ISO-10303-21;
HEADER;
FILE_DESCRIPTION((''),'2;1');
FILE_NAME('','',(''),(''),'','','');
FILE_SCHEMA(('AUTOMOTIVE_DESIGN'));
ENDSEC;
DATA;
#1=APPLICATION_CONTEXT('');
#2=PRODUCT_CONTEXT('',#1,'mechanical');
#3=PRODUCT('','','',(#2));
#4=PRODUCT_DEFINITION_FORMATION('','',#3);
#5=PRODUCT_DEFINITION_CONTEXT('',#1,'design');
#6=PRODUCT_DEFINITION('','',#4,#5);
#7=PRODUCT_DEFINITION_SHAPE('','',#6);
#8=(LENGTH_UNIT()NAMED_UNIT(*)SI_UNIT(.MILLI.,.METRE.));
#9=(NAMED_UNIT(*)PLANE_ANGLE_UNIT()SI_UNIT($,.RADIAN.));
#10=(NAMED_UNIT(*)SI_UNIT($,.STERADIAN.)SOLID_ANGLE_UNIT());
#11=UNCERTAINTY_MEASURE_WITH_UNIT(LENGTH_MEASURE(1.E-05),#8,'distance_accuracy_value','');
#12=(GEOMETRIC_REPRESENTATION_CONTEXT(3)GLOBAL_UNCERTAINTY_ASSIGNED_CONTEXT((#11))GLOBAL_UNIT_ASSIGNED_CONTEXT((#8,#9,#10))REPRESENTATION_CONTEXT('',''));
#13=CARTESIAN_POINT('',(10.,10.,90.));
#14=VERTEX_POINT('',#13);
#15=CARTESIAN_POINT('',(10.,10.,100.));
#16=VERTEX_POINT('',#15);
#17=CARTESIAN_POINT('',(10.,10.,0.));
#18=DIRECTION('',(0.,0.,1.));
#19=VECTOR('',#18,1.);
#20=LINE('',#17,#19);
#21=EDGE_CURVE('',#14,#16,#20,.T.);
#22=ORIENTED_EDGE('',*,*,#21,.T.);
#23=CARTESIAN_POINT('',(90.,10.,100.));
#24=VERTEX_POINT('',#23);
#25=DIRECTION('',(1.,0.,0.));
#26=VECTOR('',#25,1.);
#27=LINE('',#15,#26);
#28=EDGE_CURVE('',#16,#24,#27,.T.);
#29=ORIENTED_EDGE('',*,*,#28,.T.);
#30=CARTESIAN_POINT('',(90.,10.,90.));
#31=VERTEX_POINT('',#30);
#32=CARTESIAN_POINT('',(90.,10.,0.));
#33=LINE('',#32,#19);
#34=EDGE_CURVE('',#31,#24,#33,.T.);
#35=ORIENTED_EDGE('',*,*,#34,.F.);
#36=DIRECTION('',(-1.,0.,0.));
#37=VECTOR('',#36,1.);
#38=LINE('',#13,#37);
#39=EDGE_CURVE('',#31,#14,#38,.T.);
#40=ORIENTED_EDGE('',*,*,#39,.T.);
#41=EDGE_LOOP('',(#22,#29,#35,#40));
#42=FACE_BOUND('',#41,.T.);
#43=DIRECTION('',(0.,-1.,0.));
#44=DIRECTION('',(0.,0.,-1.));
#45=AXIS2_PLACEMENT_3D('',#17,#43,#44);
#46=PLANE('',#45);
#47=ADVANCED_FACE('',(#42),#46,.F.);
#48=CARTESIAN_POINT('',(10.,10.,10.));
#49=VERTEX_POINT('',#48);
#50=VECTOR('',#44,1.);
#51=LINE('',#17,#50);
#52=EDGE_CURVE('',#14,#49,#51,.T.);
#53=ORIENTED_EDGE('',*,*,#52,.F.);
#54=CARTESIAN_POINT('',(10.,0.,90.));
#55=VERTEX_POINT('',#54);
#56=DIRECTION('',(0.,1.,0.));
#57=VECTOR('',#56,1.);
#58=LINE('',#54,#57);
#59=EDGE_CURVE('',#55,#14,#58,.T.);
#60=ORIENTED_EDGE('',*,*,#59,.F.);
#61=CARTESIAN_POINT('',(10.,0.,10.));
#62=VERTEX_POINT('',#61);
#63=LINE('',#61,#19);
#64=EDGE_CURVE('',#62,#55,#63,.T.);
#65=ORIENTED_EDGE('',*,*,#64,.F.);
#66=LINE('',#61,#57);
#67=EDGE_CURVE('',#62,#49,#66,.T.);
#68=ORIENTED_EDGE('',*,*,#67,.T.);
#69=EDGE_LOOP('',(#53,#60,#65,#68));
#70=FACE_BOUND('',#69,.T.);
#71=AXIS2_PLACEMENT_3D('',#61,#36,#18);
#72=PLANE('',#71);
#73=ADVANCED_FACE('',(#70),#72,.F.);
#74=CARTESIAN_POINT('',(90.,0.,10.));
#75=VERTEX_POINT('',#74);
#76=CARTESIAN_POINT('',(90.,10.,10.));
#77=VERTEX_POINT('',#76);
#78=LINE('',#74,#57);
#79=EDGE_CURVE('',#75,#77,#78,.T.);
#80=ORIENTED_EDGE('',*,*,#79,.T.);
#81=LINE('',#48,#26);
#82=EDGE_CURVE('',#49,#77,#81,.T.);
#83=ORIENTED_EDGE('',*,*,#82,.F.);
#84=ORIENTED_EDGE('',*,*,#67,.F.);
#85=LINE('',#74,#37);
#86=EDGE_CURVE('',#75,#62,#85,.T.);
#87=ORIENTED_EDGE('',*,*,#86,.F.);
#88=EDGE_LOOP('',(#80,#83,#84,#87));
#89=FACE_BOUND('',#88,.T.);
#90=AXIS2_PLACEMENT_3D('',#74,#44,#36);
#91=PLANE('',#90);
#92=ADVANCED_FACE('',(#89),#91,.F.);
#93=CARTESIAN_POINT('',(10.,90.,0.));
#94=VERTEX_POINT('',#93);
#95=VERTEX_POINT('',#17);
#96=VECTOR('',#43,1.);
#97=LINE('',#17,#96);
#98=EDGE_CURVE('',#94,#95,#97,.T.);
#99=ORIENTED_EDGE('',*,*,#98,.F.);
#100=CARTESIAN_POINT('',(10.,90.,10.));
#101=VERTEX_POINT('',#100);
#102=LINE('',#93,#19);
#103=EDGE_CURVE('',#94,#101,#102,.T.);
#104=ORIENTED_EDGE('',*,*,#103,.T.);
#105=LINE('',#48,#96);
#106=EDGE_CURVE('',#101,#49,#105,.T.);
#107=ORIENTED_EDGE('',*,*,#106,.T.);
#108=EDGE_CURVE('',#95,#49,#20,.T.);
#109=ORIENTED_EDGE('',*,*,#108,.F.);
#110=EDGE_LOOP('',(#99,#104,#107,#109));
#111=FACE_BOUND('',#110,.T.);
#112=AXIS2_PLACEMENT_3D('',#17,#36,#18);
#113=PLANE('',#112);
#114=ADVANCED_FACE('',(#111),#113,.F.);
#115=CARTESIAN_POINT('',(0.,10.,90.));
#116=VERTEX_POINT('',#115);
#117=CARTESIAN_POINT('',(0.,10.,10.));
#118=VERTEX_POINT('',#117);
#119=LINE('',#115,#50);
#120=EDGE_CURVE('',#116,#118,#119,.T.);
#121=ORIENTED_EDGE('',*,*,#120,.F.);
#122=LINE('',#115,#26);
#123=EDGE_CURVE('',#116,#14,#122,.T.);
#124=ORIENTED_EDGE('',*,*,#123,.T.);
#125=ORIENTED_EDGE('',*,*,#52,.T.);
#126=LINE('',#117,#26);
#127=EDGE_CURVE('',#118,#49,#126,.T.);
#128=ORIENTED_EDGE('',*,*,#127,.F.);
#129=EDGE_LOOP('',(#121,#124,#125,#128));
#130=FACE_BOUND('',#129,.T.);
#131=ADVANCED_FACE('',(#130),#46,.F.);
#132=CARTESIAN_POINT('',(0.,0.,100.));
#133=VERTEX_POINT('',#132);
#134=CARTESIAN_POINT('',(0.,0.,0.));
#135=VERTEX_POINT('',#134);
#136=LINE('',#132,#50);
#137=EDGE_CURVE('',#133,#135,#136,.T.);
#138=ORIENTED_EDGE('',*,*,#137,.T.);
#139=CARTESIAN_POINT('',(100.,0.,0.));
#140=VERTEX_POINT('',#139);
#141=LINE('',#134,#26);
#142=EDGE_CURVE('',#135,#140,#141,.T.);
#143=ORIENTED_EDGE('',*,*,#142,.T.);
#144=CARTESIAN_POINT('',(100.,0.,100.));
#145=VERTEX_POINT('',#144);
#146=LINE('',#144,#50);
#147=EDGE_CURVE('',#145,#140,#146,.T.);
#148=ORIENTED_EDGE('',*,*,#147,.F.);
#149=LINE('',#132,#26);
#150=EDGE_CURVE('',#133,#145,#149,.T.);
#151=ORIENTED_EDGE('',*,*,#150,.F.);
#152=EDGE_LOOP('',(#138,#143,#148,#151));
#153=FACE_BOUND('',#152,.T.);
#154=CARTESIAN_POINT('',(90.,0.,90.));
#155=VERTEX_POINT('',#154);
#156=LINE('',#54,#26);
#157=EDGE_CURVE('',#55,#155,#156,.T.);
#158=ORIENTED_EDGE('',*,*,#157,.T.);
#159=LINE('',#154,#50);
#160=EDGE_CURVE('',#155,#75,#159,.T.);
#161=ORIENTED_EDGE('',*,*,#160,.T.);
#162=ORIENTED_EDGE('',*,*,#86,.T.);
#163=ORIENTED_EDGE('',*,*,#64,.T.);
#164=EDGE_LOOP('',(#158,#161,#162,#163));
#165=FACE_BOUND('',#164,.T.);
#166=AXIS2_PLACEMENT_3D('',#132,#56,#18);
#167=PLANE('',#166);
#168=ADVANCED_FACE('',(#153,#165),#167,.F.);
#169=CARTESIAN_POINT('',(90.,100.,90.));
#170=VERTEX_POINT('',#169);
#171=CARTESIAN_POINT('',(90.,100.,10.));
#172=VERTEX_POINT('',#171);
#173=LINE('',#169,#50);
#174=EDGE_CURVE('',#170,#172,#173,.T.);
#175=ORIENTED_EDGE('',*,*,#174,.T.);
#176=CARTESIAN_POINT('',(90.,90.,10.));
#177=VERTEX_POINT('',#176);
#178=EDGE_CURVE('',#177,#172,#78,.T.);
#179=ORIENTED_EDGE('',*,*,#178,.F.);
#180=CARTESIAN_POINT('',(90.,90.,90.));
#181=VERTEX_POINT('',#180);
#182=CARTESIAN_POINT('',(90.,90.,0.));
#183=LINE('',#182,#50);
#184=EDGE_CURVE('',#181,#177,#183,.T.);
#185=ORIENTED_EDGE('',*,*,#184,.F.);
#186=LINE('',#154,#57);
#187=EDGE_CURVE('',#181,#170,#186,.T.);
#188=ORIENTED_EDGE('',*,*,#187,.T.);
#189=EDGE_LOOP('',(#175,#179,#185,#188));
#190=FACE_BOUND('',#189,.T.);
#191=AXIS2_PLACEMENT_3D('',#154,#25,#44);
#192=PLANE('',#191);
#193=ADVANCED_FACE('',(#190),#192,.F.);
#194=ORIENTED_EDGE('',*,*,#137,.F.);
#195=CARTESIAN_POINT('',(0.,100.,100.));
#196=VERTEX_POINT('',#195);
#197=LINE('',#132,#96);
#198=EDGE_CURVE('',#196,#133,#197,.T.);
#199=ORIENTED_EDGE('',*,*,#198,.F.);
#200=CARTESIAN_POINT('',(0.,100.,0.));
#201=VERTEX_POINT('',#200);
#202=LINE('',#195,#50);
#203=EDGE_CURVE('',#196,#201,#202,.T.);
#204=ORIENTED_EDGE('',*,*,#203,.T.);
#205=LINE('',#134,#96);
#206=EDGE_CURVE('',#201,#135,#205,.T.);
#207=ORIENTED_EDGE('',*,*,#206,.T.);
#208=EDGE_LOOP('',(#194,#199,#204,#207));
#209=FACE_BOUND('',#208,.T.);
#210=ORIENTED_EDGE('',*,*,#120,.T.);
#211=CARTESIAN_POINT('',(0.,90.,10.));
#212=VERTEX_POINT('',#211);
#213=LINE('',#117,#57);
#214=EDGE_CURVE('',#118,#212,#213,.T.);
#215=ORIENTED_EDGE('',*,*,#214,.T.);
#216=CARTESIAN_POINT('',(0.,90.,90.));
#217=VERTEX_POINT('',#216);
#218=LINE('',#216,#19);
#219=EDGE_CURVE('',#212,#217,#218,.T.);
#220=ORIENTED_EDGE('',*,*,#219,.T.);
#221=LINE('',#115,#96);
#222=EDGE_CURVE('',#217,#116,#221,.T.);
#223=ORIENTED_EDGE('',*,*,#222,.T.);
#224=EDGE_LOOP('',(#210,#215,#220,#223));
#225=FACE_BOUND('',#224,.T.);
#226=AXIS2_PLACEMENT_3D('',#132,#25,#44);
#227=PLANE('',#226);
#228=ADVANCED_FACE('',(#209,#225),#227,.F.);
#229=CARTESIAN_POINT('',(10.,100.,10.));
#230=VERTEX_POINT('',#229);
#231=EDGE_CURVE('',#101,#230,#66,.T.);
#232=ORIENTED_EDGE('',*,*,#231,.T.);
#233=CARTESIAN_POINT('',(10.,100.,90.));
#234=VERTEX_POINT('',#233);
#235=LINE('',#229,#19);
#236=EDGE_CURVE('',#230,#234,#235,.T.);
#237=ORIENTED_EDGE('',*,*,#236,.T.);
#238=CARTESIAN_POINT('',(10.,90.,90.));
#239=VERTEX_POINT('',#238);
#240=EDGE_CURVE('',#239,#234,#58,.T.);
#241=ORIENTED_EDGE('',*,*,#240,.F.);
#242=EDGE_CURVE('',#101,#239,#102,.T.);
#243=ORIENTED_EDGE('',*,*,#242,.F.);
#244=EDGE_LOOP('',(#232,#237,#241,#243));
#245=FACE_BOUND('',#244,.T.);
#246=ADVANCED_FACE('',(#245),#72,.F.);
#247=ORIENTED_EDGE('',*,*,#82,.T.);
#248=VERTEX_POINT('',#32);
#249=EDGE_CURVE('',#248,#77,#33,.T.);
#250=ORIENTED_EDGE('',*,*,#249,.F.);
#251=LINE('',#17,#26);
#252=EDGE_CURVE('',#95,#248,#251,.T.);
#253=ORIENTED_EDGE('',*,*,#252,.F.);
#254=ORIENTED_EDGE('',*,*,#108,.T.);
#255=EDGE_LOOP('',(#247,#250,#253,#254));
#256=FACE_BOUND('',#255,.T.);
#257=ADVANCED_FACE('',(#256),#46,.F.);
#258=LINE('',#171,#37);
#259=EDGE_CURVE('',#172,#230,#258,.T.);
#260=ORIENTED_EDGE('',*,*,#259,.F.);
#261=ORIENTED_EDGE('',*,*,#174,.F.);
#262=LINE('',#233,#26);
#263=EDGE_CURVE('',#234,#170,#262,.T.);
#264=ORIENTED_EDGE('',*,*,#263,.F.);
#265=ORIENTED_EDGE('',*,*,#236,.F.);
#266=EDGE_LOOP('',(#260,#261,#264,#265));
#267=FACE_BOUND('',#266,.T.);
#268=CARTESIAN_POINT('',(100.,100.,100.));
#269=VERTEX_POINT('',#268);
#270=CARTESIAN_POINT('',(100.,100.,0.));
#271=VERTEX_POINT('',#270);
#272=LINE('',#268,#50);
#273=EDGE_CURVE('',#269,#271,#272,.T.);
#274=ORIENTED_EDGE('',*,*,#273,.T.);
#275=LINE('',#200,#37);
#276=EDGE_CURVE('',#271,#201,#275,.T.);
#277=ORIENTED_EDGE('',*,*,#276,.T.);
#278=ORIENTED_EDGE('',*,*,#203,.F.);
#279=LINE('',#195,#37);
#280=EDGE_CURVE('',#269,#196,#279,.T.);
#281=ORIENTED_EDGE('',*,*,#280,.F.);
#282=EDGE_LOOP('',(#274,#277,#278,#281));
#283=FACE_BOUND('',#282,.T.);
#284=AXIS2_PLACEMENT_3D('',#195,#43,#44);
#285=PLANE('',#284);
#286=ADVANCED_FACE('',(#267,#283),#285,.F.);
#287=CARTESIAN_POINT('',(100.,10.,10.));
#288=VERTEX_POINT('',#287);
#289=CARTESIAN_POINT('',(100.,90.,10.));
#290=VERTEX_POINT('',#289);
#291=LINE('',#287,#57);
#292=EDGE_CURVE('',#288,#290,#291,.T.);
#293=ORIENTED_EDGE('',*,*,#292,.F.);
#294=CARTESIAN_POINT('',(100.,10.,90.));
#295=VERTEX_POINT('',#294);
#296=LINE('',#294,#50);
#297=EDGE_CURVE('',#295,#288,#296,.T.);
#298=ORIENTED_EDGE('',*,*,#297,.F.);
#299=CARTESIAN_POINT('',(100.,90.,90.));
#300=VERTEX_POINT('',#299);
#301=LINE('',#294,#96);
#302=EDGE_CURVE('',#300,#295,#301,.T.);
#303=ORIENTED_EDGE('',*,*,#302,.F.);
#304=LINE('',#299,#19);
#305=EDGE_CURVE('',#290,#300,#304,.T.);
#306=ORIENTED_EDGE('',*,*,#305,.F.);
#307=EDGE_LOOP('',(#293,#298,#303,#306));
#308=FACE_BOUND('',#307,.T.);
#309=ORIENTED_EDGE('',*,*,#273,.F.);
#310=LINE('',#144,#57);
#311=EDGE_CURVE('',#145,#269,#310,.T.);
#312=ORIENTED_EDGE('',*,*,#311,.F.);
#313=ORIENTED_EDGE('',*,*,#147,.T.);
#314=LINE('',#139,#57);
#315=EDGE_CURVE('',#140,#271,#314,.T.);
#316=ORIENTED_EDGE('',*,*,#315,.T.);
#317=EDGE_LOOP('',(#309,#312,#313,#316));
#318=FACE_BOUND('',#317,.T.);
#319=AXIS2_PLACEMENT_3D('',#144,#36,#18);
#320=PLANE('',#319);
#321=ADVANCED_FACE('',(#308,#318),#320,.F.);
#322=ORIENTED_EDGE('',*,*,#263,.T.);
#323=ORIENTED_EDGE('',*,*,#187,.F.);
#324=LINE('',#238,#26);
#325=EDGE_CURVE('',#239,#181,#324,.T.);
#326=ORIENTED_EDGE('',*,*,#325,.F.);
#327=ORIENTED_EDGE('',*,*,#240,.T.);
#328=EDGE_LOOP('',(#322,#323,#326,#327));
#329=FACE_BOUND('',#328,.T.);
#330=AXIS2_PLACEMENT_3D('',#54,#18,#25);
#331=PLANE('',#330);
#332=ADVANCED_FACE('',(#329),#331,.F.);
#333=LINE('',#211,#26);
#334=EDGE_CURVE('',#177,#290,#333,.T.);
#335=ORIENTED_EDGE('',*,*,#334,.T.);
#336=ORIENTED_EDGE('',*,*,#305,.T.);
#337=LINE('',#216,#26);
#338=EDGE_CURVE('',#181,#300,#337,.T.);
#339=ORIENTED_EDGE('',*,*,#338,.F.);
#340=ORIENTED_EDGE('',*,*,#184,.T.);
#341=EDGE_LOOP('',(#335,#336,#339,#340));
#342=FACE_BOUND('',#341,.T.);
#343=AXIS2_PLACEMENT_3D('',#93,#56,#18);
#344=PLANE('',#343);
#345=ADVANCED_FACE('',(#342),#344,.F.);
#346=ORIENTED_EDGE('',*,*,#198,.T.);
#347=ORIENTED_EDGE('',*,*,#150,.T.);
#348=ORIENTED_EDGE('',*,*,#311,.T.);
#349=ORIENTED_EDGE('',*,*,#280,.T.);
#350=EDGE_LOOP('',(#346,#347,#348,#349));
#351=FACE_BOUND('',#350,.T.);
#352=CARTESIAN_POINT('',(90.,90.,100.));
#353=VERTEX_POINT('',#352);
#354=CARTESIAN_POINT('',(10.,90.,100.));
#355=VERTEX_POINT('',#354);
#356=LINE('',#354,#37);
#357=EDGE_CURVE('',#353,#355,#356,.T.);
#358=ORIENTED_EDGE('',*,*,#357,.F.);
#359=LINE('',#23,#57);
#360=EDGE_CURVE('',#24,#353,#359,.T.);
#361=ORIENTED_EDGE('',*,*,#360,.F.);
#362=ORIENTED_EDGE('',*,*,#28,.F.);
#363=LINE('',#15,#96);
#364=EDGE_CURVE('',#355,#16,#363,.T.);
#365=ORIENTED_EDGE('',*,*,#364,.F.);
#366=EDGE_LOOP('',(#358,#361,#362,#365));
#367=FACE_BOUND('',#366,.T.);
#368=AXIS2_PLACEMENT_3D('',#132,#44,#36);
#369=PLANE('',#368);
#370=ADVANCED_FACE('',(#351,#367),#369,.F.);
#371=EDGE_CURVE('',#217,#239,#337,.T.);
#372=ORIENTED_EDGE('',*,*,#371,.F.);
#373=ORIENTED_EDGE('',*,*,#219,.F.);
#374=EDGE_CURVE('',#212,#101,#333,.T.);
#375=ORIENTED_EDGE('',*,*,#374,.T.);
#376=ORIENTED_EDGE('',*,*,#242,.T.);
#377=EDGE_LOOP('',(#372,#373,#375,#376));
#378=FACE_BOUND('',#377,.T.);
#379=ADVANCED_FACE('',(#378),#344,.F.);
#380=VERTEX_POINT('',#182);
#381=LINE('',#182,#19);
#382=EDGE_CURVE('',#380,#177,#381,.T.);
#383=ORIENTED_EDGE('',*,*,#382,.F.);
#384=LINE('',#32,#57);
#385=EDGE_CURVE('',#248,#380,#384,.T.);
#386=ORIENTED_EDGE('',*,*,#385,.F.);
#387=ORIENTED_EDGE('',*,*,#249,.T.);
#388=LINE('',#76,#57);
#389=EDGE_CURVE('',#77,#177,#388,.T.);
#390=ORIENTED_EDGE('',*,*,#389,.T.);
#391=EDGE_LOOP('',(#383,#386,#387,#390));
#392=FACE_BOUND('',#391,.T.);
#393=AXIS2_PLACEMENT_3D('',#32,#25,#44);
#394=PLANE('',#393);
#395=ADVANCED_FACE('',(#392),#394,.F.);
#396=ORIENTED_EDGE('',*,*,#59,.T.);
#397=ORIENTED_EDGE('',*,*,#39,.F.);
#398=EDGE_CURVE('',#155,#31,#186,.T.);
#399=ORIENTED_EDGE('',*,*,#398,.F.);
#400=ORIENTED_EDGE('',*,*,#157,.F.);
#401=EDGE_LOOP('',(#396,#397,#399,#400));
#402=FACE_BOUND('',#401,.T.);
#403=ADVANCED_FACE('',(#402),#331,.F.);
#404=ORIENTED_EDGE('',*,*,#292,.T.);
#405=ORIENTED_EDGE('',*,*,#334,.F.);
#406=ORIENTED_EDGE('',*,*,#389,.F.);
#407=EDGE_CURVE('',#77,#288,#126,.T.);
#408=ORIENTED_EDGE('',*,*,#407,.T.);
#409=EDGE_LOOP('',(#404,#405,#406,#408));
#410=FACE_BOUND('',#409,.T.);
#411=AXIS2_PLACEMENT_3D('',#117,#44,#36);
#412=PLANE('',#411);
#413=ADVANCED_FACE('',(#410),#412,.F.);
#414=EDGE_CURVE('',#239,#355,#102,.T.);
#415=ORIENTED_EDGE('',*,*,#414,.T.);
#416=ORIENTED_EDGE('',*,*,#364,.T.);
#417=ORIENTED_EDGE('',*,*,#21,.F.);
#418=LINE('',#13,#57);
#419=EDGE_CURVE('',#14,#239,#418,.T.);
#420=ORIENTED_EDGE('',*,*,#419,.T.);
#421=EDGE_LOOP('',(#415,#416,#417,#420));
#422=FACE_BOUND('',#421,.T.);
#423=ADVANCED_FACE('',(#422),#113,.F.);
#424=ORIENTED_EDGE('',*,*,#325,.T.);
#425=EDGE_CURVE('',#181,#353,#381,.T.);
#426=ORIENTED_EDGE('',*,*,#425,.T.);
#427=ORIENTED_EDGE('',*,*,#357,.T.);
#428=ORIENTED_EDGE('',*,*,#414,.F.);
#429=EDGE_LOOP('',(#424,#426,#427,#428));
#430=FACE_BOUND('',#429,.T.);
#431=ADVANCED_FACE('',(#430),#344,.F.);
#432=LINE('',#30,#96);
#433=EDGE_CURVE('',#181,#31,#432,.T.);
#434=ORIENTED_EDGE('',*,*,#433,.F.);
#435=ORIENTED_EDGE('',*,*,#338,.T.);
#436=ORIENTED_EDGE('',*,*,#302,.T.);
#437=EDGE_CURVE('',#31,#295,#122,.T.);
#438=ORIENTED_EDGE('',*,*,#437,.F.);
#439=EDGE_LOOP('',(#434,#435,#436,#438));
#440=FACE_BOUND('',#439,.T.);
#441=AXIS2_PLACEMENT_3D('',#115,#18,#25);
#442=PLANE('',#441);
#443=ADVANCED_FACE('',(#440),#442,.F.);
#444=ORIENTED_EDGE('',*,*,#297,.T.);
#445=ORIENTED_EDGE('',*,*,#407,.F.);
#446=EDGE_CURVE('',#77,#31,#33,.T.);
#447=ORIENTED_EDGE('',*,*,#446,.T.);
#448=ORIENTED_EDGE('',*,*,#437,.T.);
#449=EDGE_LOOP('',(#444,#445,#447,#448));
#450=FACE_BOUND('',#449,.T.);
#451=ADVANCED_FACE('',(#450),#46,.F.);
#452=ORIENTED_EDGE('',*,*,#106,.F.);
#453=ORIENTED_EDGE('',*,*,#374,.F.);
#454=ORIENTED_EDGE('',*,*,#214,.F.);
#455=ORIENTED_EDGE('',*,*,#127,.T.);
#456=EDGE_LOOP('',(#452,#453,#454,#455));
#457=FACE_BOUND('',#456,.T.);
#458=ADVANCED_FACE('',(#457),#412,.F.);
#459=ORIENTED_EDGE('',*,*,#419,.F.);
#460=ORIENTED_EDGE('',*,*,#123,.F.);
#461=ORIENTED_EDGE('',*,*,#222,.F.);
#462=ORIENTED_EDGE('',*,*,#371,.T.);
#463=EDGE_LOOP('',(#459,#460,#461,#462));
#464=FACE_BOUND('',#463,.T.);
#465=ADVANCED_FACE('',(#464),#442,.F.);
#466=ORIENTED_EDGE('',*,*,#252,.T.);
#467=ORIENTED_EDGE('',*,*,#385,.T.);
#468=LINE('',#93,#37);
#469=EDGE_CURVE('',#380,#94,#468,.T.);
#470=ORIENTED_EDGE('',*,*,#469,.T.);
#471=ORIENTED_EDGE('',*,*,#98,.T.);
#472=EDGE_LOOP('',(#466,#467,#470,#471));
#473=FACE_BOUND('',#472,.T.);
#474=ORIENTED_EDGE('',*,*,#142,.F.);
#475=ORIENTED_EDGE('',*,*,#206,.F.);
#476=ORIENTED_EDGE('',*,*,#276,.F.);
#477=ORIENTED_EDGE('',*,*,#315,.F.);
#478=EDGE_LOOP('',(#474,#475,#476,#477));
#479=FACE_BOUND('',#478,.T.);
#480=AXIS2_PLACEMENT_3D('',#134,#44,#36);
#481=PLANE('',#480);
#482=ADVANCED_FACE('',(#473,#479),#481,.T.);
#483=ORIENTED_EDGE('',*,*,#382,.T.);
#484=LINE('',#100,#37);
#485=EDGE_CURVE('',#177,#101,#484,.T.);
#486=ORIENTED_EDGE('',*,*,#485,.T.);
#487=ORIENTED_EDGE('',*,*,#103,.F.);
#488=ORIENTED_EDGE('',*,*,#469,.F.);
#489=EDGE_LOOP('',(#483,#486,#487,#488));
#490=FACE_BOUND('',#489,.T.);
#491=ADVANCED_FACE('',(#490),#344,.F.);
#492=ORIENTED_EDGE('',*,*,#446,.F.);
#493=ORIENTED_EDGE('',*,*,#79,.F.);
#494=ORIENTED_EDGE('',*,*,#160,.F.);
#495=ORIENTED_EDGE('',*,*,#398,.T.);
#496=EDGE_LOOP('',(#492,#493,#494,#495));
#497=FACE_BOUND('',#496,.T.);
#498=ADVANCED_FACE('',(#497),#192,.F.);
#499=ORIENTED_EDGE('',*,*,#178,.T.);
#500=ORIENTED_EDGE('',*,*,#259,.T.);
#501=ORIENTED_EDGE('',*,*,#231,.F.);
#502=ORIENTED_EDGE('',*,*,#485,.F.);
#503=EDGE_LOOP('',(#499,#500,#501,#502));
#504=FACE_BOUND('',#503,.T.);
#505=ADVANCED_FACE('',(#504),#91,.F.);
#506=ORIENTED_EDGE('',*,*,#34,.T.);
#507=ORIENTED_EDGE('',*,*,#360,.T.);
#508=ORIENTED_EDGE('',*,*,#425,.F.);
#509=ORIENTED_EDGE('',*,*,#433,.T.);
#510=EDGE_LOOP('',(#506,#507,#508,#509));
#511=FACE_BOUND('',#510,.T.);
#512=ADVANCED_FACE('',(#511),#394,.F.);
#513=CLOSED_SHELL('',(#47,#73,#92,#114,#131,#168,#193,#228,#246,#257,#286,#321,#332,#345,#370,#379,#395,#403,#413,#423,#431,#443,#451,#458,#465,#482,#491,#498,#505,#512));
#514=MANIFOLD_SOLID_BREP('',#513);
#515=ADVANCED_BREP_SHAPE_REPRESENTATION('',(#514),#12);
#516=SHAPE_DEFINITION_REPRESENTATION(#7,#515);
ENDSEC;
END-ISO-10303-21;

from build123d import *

# Parameters (mm, degrees)
SZKIC2_W                    = 100
SZKIC2_H                    = 100
DODANIE_WYCI_GNI_CIE1_DEPTH = 100
SZKIC3_W                    = 80
SZKIC3_H                    = 80
WYTNIJ_WYCI_GNI_CIE1_DEPTH  = 101
SZKIC4_W                    = 80
SZKIC4_H                    = 80
WYTNIJ_WYCI_GNI_CIE2_DEPTH  = 101
SZKIC6_W                    = 80
SZKIC6_H                    = 80
WYTNIJ_WYCI_GNI_CIE3_DEPTH  = 101


with BuildPart() as part:
    # Szkic2 → Dodanie-wyciągnięcie1 (new body)
    with BuildSketch(Plane.XY):
        with Locations((50, 50)):
            Rectangle(SZKIC2_W, SZKIC2_H)
    extrude(amount=DODANIE_WYCI_GNI_CIE1_DEPTH)

    # Szkic3 → Wytnij-wyciągnięcie1 (cut, through all)
    with BuildSketch(Plane.XY.offset(100)):
        with Locations((50, 50)):
            Rectangle(SZKIC3_W, SZKIC3_H)
    extrude(amount=-WYTNIJ_WYCI_GNI_CIE1_DEPTH, mode=Mode.SUBTRACT)

    # Szkic4 → Wytnij-wyciągnięcie2 (cut, through all)
    with BuildSketch(Plane(origin=(100, 0, 0), x_dir=(0, 0, -1), z_dir=(1, 0, 0))):
        with Locations((-50, 50)):
            Rectangle(SZKIC4_W, SZKIC4_H)
    extrude(amount=-WYTNIJ_WYCI_GNI_CIE2_DEPTH, mode=Mode.SUBTRACT)

    # Szkic6 → Wytnij-wyciągnięcie3 (cut, through all)
    with BuildSketch(Plane(origin=(0, 100, 0), x_dir=(1, 0, 0), z_dir=(0, 1, 0))):
        with Locations((50, -50)):
            Rectangle(SZKIC6_W, SZKIC6_H)
    extrude(amount=-WYTNIJ_WYCI_GNI_CIE3_DEPTH, mode=Mode.SUBTRACT)


solid = part.part
